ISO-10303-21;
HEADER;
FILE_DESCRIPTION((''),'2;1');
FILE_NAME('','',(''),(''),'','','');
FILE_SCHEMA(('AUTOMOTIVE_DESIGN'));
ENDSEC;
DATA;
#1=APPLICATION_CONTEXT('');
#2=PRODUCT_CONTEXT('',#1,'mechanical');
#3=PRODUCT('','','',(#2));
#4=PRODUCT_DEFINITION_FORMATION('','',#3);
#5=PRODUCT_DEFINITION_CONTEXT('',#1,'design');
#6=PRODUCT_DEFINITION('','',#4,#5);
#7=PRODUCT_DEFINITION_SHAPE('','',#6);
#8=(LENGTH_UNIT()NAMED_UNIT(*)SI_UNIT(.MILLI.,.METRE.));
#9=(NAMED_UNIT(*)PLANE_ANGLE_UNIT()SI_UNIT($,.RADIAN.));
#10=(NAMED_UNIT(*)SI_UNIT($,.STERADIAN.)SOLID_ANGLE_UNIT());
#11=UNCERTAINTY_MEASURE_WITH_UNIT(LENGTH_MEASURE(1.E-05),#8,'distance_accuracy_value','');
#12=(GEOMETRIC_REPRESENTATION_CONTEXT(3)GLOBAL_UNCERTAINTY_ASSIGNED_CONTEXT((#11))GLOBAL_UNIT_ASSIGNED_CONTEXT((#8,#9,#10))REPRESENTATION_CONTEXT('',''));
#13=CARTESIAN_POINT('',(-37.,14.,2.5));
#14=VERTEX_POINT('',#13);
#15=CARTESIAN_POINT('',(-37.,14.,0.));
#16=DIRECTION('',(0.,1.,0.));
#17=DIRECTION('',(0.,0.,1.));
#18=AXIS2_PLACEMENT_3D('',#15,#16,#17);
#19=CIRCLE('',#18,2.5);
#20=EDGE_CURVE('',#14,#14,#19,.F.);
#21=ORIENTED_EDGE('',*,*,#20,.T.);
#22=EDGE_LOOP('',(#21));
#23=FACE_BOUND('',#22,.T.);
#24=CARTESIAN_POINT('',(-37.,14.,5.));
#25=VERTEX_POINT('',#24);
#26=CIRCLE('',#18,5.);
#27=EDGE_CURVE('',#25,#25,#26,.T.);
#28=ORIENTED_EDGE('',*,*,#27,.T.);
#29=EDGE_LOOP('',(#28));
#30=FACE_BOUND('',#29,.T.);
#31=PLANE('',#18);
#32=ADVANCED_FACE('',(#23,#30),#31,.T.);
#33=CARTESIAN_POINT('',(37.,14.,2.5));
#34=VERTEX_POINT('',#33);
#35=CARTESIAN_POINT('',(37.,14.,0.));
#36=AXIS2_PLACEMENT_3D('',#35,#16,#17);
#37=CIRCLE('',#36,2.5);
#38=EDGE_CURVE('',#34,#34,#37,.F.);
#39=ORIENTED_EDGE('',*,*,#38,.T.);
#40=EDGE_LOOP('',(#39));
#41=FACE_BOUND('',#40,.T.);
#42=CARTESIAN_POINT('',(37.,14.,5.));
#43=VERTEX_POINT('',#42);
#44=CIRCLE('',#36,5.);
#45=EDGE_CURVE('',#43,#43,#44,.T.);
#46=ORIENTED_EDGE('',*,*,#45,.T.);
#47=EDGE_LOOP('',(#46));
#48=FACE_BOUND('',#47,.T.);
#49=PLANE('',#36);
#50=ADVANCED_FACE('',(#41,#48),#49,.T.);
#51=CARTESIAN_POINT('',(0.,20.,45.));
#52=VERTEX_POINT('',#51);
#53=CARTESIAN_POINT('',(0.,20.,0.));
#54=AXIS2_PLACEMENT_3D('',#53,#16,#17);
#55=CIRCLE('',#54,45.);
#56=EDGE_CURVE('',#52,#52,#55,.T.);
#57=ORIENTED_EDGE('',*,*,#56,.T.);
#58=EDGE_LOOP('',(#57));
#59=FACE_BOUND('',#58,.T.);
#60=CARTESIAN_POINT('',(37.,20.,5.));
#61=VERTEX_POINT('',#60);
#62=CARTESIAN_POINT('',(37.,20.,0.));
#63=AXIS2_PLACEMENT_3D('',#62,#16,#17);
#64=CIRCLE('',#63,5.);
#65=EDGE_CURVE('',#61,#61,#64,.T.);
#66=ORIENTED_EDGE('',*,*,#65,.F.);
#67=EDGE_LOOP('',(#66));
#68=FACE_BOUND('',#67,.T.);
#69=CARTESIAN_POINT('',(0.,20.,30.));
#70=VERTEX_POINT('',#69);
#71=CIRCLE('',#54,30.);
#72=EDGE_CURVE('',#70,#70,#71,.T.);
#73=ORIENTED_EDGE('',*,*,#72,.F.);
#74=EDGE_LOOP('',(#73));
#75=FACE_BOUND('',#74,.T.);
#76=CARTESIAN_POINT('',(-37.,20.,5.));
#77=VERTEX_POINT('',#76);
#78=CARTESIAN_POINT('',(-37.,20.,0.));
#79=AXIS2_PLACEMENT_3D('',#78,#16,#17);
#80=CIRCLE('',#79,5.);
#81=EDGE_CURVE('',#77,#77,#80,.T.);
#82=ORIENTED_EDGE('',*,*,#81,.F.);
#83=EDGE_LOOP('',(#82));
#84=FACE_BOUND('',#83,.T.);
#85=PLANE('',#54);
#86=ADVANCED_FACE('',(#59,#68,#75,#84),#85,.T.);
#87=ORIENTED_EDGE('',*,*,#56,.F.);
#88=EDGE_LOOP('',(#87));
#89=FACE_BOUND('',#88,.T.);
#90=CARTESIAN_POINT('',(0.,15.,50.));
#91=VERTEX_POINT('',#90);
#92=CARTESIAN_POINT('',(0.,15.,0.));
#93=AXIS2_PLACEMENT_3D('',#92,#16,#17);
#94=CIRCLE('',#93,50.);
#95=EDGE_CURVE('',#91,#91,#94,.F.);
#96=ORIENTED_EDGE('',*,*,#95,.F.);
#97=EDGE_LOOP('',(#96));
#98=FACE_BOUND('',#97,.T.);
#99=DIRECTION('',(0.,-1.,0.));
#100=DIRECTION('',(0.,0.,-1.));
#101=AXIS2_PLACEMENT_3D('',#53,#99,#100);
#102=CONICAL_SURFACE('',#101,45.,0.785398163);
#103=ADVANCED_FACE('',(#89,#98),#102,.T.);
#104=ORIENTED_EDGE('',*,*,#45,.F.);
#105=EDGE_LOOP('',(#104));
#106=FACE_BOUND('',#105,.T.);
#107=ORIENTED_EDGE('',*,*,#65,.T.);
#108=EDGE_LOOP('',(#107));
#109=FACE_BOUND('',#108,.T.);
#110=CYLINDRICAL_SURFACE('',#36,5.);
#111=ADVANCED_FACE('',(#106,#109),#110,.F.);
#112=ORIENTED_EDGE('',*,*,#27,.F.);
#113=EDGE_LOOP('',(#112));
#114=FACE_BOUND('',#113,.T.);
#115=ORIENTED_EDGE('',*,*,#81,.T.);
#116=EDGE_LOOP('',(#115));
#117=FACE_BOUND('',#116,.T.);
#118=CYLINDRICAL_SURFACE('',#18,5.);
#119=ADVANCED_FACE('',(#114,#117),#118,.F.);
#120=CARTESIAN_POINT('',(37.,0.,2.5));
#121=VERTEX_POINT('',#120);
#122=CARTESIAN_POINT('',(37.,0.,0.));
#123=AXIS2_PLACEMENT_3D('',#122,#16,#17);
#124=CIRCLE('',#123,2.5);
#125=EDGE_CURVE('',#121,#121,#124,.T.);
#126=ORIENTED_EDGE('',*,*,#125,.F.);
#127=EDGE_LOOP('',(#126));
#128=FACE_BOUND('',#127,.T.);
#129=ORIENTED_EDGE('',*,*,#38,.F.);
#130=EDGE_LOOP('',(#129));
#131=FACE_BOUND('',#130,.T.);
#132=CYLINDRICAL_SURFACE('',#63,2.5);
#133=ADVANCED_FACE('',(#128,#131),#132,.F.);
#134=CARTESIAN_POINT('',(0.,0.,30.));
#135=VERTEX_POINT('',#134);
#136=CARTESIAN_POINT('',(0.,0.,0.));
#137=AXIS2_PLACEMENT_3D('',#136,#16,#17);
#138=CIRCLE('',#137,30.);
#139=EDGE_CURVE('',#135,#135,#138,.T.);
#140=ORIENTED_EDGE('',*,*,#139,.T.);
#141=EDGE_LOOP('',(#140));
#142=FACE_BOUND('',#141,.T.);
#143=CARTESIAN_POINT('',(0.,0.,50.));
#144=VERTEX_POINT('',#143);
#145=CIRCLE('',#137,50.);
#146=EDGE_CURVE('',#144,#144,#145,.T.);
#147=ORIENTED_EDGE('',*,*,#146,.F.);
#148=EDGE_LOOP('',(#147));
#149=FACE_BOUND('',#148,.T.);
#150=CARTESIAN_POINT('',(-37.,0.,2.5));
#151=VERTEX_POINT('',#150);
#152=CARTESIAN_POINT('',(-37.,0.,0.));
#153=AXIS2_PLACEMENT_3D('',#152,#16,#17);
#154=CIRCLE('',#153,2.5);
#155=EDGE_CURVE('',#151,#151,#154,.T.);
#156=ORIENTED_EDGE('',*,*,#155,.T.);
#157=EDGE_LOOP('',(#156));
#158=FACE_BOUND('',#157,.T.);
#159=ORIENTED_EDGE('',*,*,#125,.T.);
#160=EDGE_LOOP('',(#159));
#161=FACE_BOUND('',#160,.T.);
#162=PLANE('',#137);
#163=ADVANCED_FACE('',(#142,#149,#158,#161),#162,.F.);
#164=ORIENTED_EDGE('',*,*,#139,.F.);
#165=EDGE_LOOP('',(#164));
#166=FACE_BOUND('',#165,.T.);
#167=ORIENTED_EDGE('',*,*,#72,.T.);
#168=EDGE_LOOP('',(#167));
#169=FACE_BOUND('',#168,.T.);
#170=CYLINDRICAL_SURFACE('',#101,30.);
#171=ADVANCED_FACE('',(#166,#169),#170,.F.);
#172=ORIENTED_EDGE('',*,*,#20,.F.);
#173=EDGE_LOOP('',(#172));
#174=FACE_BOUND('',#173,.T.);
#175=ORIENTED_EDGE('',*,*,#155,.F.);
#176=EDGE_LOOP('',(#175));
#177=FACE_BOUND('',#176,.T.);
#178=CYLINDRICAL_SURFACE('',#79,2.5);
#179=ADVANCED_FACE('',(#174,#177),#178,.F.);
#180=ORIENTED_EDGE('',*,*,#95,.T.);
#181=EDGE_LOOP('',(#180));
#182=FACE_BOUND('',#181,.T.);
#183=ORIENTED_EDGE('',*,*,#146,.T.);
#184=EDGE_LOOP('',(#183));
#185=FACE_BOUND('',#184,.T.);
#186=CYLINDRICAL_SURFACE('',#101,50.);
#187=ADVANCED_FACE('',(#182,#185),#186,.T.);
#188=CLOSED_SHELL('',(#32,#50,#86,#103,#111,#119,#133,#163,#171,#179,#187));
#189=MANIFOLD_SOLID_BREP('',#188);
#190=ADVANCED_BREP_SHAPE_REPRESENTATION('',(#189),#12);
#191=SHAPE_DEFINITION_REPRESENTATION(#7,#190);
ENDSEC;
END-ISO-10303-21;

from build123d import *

# Parameters (mm, degrees)
SKETCH1_R                 = 50
SKETCH1_R_2               = 30
BOSS_EXTRUDE1_DEPTH       = 20
CHAMFER1_SIZE             = 5
M6X1_0_TAPPED_HOLE1_D     = 5
M6X1_0_TAPPED_HOLE1_DEPTH = 50
M6X1_0_TAPPED_HOLE1_TIP   = 1.502151548
SKETCH4_R                 = 5
CUT_EXTRUDE1_DEPTH        = 6


with BuildPart() as part:
    # Sketch1 → Boss-Extrude1 (new body)
    with BuildSketch(Plane(origin=(0, 0, 0), x_dir=(1, 0, 0), z_dir=(0, 1, 0))):
        with Locations(Location((0, 0, 0), (0, 0, 270))):
            Circle(SKETCH1_R)
        with Locations(Location((0, 0, 0), (0, 0, 270))):
            Circle(SKETCH1_R_2, mode=Mode.SUBTRACT)
    extrude(amount=BOSS_EXTRUDE1_DEPTH)

    # Chamfer1
    chamfer1_edges = [part.edges().sort_by_distance(p)[0] for p in [
        (0, 20, -50),
    ]]
    chamfer(chamfer1_edges, length=CHAMFER1_SIZE)

    # M6x1.0 Tapped Hole1
    with Locations(Plane(origin=(-37, 20, 0), x_dir=(0, 0, 1), z_dir=(0, 1, 0))):
        with Locations((0, 0), (0, 74)):
            Hole(M6X1_0_TAPPED_HOLE1_D / 2, depth=M6X1_0_TAPPED_HOLE1_DEPTH)
            with Locations((0, 0, -(M6X1_0_TAPPED_HOLE1_DEPTH + M6X1_0_TAPPED_HOLE1_TIP / 2))):  # 118° drill point
                Cone(0, M6X1_0_TAPPED_HOLE1_D / 2, M6X1_0_TAPPED_HOLE1_TIP, mode=Mode.SUBTRACT)

    # Sketch4 → Cut-Extrude1 (cut)
    with BuildSketch(Plane(origin=(0, 20, 0), x_dir=(1, 0, 0), z_dir=(0, 1, 0))):
        with Locations(Location((-37, 0, 0), (0, 0, 270))):
            Circle(SKETCH4_R)
        with Locations(Location((37, 0, 0), (0, 0, 270))):
            Circle(SKETCH4_R)
    extrude(amount=-CUT_EXTRUDE1_DEPTH, mode=Mode.SUBTRACT)


solid = part.part
